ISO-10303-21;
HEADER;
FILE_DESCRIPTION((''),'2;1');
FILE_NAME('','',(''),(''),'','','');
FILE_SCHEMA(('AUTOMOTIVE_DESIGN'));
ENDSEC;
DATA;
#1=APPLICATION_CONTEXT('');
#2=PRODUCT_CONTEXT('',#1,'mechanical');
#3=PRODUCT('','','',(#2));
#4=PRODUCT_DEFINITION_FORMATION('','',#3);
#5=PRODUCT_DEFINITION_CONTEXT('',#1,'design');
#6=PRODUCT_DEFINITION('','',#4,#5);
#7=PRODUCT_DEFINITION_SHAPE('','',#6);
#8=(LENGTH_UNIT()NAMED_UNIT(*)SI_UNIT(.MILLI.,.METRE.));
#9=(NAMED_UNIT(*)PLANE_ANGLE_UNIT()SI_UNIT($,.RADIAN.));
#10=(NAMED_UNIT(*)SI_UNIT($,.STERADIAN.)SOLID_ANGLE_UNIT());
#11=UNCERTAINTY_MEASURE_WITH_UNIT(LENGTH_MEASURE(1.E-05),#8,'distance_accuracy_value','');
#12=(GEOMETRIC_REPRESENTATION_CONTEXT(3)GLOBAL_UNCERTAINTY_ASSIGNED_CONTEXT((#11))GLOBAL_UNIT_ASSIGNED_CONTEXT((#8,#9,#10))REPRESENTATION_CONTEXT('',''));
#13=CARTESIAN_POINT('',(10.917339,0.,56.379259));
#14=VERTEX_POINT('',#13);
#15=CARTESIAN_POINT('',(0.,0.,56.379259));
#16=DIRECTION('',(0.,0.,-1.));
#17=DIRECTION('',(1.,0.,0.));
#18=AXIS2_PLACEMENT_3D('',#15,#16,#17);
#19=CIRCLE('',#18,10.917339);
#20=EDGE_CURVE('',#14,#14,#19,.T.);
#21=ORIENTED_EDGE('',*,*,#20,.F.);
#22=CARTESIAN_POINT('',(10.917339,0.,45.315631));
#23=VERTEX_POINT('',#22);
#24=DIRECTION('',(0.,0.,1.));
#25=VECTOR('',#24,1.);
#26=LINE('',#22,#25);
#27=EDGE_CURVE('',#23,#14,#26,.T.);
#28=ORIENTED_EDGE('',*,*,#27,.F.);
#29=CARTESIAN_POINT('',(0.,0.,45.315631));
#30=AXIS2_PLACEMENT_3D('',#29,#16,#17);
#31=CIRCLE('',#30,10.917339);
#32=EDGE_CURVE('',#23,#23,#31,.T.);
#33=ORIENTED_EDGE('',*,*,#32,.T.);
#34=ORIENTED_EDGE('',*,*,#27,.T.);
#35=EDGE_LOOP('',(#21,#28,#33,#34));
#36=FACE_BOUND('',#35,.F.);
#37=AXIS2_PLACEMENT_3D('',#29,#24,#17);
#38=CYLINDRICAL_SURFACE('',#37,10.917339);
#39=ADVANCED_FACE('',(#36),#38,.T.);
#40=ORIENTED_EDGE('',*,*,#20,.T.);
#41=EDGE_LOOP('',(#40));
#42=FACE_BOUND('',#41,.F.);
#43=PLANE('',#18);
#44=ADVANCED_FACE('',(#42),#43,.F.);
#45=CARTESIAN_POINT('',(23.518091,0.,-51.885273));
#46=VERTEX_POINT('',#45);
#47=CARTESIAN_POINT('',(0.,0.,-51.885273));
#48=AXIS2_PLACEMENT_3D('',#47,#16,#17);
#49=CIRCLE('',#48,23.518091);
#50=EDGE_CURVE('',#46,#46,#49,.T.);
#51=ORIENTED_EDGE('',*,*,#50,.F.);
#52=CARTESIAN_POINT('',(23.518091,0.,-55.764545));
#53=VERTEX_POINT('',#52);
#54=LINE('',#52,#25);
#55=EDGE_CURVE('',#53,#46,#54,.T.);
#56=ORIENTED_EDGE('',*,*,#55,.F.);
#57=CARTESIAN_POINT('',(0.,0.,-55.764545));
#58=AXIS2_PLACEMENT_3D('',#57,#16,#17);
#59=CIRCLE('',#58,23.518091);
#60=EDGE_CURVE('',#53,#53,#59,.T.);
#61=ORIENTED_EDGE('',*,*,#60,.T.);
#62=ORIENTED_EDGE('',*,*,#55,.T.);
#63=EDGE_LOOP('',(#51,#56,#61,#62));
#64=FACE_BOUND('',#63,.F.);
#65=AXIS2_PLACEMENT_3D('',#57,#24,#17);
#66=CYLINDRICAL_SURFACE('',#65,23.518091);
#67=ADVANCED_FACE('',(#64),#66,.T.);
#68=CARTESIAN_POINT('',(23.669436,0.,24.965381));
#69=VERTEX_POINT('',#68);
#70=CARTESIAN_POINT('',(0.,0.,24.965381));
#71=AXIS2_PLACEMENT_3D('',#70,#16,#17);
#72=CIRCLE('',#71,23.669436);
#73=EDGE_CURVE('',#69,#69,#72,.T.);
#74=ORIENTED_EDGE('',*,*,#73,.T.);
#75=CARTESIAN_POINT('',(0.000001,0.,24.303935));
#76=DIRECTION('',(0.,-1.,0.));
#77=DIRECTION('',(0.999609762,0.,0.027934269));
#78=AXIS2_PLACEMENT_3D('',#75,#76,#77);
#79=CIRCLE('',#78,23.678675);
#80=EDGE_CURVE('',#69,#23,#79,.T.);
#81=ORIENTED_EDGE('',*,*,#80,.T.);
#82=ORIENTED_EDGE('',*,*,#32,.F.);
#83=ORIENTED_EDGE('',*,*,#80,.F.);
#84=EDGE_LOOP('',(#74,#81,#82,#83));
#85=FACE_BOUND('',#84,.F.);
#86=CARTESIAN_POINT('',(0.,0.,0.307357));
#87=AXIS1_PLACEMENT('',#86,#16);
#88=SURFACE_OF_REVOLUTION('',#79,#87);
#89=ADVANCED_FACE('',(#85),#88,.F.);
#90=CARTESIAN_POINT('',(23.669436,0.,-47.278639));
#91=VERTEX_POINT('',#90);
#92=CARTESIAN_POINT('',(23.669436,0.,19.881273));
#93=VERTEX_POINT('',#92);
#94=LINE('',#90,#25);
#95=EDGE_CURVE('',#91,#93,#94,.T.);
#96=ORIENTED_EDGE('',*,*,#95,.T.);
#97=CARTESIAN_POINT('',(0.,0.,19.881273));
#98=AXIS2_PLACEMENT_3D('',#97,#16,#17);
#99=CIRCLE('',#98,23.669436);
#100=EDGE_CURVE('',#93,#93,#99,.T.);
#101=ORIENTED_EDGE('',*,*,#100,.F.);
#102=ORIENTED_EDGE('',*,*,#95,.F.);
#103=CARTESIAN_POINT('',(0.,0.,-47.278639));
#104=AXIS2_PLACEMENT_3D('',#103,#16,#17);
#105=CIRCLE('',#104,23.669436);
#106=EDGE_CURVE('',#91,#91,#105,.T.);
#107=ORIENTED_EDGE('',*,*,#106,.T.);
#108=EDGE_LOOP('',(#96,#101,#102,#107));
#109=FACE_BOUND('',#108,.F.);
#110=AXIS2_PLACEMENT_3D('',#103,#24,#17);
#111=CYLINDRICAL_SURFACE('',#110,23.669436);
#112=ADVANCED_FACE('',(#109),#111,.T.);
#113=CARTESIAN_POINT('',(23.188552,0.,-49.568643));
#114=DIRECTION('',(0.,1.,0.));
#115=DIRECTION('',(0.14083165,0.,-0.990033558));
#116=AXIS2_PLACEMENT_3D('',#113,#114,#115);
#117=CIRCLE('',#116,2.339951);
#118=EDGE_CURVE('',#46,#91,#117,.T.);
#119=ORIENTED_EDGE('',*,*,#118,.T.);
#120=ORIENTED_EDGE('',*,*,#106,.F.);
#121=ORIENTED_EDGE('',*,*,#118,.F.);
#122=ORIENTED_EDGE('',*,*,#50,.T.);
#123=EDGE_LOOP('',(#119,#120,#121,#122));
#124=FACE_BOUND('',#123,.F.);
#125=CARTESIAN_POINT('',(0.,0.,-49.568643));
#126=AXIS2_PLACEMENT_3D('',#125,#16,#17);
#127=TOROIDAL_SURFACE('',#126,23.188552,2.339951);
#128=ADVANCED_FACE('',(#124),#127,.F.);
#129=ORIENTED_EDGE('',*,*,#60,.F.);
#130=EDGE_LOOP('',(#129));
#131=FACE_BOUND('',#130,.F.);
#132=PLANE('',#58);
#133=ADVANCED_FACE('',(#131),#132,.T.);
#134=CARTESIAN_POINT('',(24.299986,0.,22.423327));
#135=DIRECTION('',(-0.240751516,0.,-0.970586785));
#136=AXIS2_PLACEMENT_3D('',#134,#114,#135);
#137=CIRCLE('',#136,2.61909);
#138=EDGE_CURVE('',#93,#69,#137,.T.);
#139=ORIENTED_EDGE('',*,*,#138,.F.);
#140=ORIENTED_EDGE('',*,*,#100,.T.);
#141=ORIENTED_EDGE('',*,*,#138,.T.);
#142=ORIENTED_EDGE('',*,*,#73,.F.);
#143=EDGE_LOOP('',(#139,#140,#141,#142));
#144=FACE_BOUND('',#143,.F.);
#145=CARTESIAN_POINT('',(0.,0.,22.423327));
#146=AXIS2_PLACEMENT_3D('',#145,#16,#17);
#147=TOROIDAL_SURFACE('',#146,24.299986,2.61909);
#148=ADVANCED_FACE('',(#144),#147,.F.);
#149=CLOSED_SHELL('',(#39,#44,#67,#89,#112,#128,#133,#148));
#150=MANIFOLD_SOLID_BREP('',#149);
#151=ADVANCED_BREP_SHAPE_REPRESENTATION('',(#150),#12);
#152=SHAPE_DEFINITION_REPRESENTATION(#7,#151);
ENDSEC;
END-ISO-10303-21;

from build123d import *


with BuildPart() as f1:
    # F0 (on Front) → F1 (revolve)
    with BuildSketch(Plane.XZ):
        with BuildLine():
            Line((10.917339, 56.379259), (0, 56.379259))
            Line((0, 56.379259), (0, -55.764545))
            Line((0, -55.764545), (23.518091, -55.764545))
            Line((23.518091, -55.764545), (23.518091, -51.885273))
            ThreePointArc((23.518091, -51.885273), (20.849863, -49.491809), (23.669436, -47.278639))
            Line((23.669436, -47.278639), (23.669436, 19.881273))
            ThreePointArc((23.669436, 19.881273), (21.680896, 22.423327), (23.669436, 24.965381))
            ThreePointArc((23.669436, 24.965381), (20.064756, 36.877131), (10.917339, 45.315631))
            Line((10.917339, 45.315631), (10.917339, 56.379259))
        make_face()
    revolve(axis=Axis((0, 0, 0.307357), (0, 0, -1)))


solid = f1.part
